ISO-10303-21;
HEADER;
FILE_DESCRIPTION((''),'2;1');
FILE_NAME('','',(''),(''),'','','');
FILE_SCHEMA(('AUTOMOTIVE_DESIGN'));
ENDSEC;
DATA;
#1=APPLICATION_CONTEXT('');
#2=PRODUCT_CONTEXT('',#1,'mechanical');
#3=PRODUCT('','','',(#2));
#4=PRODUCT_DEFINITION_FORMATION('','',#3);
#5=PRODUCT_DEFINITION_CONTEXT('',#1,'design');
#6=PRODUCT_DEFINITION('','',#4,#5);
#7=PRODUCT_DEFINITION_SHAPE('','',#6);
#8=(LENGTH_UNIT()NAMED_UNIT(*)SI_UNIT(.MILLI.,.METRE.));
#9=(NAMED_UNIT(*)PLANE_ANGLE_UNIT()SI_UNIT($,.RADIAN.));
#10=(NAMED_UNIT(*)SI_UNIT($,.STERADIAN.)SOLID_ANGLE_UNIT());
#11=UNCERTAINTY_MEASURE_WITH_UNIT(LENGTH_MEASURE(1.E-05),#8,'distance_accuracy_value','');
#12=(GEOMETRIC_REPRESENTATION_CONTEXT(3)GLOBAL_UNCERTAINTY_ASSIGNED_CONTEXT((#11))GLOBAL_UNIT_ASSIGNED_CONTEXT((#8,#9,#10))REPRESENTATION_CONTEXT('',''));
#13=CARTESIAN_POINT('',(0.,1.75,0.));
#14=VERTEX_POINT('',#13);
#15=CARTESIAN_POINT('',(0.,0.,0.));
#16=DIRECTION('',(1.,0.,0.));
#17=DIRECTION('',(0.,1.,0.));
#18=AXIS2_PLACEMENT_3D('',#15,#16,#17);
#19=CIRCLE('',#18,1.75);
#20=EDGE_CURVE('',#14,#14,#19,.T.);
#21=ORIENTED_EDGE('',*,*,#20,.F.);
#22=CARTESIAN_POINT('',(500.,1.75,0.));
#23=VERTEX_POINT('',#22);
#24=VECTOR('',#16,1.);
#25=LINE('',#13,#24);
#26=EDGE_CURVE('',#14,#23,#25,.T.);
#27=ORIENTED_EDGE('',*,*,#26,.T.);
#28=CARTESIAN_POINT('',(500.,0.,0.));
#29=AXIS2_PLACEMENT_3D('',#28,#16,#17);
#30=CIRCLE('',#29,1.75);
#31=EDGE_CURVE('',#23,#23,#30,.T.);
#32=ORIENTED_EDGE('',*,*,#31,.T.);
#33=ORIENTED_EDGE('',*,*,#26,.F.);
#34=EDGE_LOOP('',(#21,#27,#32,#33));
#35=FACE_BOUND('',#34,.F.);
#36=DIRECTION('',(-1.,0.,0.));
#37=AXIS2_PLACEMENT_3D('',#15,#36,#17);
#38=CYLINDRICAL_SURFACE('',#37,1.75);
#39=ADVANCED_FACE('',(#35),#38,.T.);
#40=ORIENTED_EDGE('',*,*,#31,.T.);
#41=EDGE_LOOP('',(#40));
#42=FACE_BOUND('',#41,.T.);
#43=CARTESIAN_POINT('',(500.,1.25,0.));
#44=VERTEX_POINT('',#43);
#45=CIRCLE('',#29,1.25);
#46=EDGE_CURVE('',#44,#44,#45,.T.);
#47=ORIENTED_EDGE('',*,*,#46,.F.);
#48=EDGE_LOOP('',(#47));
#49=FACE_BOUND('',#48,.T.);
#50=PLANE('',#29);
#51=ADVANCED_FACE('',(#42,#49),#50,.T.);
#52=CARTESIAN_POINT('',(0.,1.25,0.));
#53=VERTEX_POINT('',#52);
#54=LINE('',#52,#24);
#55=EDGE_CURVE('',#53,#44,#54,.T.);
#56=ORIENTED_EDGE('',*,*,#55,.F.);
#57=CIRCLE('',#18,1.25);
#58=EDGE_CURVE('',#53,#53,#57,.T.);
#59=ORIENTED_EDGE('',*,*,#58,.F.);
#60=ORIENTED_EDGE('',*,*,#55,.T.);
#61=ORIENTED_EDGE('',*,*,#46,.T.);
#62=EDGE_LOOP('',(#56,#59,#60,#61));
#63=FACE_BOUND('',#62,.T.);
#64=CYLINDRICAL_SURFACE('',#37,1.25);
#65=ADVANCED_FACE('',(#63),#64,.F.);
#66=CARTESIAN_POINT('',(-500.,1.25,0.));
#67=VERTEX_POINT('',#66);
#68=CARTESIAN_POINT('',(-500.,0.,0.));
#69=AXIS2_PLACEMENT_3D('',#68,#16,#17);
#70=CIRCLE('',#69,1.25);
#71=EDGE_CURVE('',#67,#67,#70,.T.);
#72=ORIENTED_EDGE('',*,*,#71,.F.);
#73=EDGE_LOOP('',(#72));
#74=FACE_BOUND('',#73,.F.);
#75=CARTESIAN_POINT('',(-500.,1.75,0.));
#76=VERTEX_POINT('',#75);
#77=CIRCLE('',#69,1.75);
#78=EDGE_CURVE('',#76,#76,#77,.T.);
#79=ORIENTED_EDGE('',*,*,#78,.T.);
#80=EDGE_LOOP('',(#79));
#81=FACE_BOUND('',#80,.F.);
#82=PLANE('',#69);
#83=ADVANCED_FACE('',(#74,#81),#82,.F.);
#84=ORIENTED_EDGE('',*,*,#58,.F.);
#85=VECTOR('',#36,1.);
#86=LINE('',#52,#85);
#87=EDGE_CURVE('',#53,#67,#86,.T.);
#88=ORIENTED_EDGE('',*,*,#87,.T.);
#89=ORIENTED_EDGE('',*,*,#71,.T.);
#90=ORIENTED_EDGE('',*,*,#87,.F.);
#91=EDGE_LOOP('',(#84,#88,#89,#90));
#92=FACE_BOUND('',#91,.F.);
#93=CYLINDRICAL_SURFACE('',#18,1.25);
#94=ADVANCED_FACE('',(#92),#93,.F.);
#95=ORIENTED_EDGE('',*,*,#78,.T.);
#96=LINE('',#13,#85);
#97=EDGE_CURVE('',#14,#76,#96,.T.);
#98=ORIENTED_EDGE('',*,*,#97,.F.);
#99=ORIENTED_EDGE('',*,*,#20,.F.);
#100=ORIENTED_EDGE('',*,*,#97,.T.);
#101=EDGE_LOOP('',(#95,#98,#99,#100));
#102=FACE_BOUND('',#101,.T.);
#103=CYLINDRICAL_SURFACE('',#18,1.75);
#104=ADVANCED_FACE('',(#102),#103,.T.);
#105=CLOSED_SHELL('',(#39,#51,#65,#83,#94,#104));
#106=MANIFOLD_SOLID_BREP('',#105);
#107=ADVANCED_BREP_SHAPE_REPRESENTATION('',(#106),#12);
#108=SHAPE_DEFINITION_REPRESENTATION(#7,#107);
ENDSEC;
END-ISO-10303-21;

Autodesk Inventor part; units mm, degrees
ref_plane "YZ Plane" through (0, 0, 0) normal (1, 0, 0) x (0, 1, 0)
ref_plane "XZ Plane" through (0, 0, 0) normal (0, 1, 0) x (-1, 0, 0)
ref_plane "XY Plane" through (0, 0, 0) normal (0, 0, 1) x (1, 0, 0)
sketch "Sketch1" plane through (0, 0, 0) normal (1, 0, 0) x (0, 1, 0)
  circle A0 centre (0, 0) radius 1.75
  circle A1 centre (0, 0) radius 1.25
  dimension "d0" = 3.5
  dimension "d1" = 2.5
extrude "Extrusion1" add sketch "Sketch1" along normal mid plane 1000
properties part number "small carbon tube"
